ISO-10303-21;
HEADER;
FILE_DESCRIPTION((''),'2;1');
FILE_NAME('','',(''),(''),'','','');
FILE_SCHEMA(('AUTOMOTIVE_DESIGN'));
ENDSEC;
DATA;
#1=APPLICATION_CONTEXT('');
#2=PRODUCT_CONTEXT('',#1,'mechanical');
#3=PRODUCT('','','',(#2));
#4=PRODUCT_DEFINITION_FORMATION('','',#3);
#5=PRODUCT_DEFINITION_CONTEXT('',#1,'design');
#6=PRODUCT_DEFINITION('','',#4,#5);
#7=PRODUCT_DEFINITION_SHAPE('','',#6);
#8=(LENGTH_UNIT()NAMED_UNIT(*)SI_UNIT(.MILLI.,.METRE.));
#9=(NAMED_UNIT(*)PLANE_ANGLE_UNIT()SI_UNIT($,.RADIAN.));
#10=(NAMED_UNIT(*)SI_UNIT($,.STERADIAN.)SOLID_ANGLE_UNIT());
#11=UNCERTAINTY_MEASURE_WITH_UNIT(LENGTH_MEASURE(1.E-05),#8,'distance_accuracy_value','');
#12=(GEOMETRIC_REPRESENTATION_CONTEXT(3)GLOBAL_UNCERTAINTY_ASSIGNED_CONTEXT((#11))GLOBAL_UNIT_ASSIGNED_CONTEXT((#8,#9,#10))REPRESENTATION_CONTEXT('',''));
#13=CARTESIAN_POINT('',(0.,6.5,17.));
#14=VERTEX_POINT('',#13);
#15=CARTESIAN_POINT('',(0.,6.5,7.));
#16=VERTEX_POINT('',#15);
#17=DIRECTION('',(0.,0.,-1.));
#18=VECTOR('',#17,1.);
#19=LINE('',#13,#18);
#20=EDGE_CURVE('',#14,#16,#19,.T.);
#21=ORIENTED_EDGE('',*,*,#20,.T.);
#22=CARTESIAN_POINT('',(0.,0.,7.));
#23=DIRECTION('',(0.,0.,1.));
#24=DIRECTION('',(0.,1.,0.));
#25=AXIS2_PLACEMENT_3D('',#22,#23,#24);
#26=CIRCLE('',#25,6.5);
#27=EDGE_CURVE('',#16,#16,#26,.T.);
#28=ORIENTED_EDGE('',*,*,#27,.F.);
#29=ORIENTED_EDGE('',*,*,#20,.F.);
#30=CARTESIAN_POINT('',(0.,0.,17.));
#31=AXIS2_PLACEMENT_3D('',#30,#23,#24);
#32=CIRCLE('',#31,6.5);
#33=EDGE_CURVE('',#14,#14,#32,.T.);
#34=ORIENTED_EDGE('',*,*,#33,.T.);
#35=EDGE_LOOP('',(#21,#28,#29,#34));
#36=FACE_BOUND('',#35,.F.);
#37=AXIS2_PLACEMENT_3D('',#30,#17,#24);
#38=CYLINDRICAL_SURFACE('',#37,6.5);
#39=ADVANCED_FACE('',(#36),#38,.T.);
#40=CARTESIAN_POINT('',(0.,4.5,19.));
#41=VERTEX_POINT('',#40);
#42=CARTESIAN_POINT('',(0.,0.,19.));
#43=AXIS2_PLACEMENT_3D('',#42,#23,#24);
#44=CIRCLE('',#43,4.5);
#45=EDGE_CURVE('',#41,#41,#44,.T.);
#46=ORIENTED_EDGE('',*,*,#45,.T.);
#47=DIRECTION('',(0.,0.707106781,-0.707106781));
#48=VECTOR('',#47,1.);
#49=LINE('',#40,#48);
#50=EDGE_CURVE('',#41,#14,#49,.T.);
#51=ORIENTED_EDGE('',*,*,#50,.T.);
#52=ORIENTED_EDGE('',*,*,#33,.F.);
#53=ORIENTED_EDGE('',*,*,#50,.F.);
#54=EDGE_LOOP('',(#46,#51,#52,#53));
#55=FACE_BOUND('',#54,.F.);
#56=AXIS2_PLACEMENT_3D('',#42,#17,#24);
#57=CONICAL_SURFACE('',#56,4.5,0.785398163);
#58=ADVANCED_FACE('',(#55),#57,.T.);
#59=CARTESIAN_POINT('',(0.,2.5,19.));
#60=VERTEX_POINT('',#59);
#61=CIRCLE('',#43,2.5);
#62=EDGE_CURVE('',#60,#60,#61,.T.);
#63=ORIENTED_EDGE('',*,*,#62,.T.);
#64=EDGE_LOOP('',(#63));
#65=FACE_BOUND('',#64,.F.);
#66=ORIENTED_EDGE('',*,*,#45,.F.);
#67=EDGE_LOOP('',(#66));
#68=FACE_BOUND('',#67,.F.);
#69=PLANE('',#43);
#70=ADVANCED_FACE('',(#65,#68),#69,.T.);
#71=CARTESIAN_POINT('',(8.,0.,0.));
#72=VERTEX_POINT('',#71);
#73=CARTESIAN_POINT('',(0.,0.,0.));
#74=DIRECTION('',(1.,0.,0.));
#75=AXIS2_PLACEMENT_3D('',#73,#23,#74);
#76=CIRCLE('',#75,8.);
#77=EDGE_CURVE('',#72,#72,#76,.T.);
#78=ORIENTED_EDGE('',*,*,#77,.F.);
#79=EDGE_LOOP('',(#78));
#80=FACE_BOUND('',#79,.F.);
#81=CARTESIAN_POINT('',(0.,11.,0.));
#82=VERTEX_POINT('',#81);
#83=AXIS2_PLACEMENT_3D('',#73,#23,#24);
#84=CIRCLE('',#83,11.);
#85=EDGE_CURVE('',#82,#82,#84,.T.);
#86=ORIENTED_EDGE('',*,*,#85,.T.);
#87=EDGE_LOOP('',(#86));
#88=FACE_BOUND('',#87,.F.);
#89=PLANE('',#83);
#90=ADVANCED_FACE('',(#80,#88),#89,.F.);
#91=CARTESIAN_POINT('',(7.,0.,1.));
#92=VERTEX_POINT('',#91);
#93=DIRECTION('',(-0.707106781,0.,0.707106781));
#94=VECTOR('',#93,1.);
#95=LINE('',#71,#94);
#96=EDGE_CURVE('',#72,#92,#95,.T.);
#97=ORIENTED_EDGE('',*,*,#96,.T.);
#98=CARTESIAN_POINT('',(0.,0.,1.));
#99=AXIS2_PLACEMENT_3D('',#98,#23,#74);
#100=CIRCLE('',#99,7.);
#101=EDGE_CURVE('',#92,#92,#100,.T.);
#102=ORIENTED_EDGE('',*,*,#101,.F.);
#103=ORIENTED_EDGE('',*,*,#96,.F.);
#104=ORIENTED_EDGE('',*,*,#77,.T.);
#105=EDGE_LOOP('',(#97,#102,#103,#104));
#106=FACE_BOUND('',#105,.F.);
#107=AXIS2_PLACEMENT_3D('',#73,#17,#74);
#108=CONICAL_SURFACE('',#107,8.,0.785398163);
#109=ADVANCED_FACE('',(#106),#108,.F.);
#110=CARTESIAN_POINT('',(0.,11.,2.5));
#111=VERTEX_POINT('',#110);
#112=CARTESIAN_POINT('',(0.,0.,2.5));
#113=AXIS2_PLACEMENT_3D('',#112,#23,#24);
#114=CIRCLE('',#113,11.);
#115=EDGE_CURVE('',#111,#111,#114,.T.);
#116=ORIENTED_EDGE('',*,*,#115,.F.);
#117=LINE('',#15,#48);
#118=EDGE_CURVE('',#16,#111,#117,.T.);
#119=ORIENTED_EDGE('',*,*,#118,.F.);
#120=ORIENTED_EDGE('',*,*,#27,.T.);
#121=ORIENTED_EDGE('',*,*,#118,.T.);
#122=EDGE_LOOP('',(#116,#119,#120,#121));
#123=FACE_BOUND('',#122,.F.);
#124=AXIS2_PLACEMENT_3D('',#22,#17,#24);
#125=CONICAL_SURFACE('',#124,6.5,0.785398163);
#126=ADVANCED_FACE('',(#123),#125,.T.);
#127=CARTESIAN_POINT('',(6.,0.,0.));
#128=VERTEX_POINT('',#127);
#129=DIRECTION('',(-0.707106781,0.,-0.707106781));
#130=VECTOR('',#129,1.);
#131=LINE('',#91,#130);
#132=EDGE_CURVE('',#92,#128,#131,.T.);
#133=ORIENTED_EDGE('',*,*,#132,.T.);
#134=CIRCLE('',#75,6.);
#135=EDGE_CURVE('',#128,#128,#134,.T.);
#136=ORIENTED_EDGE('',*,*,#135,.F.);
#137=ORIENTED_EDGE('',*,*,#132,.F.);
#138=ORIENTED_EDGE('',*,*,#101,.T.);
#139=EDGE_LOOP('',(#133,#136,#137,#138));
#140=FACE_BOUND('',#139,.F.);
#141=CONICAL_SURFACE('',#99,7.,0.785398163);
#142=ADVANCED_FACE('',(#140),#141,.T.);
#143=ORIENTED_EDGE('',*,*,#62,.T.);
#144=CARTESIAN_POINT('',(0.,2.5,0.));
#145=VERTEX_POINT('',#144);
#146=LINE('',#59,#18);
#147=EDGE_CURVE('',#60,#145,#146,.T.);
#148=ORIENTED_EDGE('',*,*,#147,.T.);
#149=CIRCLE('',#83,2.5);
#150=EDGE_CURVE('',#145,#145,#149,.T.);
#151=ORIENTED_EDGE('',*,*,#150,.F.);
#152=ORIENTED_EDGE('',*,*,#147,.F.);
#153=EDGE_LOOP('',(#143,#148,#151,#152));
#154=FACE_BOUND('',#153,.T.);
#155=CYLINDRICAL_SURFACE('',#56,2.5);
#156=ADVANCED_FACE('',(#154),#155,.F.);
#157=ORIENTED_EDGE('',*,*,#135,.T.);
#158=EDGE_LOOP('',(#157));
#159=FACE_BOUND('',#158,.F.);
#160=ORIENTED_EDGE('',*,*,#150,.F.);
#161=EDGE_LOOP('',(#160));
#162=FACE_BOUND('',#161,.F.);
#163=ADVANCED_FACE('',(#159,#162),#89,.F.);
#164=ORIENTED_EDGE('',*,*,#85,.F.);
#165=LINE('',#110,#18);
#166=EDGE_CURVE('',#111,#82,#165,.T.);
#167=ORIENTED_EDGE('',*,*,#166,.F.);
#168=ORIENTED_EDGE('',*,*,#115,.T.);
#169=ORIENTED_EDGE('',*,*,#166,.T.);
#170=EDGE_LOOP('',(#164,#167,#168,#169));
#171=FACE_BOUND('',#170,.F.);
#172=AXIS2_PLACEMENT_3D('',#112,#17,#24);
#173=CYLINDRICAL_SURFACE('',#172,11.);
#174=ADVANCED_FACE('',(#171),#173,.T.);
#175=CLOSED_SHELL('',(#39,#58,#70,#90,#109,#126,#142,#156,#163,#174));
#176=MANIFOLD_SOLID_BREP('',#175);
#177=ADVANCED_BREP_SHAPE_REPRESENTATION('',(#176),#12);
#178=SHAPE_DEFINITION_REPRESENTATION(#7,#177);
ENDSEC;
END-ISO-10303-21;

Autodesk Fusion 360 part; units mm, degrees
sketch "Base Revolution" plane through (0, 0, 0) normal (1, 0, 0) x (0, 1, 0)
  line L0 (0, 0) -> (0, 19) construction
  line L1 (0, 19) -> (2.5, 19) construction
  line L2 (2.5, 19) -> (4.5, 19)
  line L3 (4.5, 19) -> (6.5, 17)
  line L4 (6.5, 17) -> (6.5, 7)
  line L5 (6.5, 7) -> (11, 2.5)
  line L6 (11, 0) -> (2.5, 0)
  line L7 (2.5, 19) -> (2.5, 0)
  line L8 (11, 2.5) -> (11, 0)
  dimension "d2" = 12
  dimension "d3" = 19
  dimension "d4" = 4.5
  dimension "d5" = 6.5
  dimension "d6" = 2.5
  dimension "d7" = 135
  dimension "d8" = 135
  dimension "d10" = 8.5
revolve "Revolve1" add sketch "Base Revolution" angle 360 about axis through (0, 0, 0) along (0, 0, 1)
sketch "Foot cutout to reduce walking" plane through (0, 0, 0) normal (0, 1, 0) x (1, 0, 0)
  line L0 (11, -2.5) -> (-11, -2.5)
  line L1 (11, 0) -> (-11, 0)
  line L2 (2.5, 0) -> (-2.5, 0)
  line L3 (2.5, -19) -> (-2.5, -19)
  line L4 (8, 0) -> (7, -1)
  line L5 (7, -1) -> (6, 0)
  dimension "d11" = 3
  dimension "d14" = 2
revolve "Revolve2" cut sketch "Foot cutout to reduce walking" angle 360 about axis through (0, 0, 1.75) along (0, 0, 1)
equation "d4 = ( 9 / 2 ) * 1 mm"
equation "d5 = ( 13 / 2 ) * 1 mm"
equation "d6 = ( 5 / 2 ) * 1 mm"
equation "d10 = ( 17 / 2 ) * 1 mm"
